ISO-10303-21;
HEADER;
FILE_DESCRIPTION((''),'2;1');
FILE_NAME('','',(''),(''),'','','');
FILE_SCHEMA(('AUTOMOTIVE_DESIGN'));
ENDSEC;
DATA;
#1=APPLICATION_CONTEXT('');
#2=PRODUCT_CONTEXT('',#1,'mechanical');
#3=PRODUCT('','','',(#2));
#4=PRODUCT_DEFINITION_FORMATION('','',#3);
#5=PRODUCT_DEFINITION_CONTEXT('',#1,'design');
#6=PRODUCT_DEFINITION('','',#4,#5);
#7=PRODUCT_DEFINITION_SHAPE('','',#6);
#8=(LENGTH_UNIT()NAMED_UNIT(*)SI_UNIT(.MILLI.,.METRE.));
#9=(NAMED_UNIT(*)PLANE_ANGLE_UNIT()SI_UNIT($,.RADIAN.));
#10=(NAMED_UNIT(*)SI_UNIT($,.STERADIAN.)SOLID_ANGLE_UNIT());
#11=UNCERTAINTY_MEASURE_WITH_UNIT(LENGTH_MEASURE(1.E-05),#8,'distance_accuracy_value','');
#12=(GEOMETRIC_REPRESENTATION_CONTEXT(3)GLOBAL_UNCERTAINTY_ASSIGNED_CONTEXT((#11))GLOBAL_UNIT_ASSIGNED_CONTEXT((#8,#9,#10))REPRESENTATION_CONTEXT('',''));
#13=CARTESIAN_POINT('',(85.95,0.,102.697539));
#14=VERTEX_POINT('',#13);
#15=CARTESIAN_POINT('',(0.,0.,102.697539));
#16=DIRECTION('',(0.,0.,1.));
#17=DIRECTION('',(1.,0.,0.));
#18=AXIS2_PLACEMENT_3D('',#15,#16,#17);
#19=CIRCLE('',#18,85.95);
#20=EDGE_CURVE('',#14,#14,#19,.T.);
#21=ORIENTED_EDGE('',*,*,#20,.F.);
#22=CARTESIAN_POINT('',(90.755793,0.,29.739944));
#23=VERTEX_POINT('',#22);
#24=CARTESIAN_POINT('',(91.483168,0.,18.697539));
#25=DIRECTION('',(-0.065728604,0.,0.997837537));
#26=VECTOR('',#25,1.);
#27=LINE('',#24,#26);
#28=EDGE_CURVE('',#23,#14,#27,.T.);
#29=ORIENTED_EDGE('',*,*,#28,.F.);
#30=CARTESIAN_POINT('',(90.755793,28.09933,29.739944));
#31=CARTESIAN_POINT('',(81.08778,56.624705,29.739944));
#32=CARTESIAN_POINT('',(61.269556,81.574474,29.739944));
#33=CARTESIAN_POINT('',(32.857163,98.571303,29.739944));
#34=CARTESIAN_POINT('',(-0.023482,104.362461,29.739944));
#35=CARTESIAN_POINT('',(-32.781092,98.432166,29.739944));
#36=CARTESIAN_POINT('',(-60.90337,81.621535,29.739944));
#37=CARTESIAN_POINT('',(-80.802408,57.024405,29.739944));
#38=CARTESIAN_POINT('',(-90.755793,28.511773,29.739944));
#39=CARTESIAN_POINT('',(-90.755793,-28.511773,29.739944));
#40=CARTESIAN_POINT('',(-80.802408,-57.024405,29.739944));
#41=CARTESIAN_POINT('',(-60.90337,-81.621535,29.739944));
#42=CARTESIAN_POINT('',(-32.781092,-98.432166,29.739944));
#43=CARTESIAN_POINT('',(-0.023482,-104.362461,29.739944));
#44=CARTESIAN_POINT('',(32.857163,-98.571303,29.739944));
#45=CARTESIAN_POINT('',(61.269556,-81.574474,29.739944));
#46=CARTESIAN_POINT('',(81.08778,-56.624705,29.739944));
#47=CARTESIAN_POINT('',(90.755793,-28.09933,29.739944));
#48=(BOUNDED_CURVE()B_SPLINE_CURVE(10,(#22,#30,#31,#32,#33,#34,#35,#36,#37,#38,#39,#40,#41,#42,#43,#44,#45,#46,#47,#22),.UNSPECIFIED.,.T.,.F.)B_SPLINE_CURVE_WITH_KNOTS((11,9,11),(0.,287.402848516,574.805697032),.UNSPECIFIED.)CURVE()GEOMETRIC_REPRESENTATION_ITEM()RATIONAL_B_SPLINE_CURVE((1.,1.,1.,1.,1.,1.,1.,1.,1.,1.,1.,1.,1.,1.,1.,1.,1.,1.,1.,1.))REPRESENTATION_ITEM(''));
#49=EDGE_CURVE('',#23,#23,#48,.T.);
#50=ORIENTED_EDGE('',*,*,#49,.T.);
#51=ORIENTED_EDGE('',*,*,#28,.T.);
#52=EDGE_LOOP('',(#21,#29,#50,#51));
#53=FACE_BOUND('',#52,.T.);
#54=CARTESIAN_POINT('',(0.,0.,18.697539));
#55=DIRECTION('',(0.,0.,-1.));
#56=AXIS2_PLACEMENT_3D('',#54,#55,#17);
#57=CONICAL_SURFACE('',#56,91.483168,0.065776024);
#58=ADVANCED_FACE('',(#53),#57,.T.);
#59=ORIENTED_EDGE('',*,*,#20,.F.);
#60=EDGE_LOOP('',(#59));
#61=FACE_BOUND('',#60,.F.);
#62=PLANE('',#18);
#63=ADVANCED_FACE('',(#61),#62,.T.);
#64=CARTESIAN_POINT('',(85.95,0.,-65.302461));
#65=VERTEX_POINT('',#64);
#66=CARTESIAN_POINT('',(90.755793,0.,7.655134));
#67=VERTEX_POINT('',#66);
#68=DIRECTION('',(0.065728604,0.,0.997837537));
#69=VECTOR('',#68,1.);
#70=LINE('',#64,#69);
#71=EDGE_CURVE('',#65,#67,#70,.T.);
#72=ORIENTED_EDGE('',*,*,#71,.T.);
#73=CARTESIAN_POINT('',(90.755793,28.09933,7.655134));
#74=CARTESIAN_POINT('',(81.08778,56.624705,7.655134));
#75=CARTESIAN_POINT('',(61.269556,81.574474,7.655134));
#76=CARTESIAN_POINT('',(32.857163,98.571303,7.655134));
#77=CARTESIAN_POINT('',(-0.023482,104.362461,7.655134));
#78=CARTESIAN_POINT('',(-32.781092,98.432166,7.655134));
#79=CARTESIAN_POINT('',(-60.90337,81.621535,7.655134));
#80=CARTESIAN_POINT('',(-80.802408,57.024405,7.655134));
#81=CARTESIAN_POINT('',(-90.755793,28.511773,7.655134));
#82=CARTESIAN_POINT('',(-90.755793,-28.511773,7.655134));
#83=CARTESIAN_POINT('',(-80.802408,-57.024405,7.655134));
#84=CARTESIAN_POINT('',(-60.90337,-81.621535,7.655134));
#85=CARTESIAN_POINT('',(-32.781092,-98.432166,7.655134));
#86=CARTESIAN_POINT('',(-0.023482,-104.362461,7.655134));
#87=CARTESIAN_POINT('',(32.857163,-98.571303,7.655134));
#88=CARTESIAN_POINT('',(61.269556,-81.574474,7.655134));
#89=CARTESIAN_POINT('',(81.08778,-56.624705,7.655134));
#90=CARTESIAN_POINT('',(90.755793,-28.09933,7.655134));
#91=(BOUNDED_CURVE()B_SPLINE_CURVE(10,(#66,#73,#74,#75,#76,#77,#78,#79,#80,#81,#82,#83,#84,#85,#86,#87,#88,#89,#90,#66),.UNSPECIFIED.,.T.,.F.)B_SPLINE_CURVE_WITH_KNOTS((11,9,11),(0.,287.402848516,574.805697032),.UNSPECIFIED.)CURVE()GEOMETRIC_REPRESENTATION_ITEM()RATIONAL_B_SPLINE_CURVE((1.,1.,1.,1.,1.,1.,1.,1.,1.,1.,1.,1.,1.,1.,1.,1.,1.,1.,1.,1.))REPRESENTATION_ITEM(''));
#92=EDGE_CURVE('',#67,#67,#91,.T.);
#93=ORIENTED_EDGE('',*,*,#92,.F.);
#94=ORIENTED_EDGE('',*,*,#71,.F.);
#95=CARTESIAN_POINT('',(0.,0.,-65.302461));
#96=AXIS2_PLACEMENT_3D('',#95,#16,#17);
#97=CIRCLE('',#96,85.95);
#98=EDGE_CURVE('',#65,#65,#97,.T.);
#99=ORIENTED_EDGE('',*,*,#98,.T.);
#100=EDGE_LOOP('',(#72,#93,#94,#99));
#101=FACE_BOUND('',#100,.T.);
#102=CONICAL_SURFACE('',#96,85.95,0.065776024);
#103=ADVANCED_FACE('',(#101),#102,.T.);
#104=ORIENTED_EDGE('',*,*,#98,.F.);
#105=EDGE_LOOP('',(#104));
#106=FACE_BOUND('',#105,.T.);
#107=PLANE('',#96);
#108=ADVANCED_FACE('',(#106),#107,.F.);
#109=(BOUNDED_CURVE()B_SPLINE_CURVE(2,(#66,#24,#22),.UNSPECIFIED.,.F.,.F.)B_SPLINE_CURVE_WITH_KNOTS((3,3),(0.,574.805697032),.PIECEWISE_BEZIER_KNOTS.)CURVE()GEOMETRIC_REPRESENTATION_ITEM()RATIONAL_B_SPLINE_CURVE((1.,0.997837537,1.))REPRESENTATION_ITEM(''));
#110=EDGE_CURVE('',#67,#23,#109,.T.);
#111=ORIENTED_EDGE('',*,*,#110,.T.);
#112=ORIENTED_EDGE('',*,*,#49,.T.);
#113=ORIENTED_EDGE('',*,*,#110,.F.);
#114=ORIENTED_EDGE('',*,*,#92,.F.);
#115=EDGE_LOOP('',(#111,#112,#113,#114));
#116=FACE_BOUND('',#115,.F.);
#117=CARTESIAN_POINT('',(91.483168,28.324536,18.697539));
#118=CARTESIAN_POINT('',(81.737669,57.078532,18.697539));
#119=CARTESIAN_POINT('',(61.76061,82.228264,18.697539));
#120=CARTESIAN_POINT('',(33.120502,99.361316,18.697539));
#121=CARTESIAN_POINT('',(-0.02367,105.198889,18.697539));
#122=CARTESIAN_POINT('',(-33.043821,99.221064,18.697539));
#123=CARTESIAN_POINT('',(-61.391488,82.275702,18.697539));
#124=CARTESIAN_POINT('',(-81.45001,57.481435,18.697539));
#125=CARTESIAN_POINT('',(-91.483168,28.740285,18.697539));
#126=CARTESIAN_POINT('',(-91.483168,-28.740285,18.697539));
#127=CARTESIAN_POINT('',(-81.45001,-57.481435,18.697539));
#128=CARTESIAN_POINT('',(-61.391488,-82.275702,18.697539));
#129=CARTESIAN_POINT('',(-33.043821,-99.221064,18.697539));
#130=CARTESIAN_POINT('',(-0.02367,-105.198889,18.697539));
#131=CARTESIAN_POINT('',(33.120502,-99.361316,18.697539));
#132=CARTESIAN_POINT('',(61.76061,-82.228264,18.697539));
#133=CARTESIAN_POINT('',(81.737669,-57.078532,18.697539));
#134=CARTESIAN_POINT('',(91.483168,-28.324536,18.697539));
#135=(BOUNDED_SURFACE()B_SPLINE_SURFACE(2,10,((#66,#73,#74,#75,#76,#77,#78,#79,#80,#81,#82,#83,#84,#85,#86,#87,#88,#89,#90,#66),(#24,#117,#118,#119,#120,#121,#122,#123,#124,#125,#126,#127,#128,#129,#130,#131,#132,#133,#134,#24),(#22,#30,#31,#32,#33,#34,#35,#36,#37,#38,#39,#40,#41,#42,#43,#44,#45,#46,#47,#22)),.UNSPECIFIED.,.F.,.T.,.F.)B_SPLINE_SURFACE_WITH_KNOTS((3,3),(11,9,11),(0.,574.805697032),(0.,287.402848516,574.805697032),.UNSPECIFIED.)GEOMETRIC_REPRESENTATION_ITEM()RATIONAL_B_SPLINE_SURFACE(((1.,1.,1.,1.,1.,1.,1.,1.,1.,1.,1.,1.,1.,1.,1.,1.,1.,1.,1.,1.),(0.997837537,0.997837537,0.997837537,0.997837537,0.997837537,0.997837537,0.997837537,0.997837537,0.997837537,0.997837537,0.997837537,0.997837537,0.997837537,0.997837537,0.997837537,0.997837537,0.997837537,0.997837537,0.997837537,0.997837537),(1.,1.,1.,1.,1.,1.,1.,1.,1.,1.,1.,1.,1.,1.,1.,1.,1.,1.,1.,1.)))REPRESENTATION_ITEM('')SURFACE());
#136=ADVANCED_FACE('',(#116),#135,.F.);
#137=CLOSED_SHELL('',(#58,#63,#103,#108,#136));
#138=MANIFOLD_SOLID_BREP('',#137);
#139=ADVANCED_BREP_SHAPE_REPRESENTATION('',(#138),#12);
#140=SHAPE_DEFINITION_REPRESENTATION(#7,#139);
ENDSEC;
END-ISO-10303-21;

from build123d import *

# Parameters (mm, degrees)
F0_W = 85.95
F0_H = 168
F2_R = 168


with BuildPart() as f1:
    # F0 (on Front) → F1 (revolve)
    with BuildSketch(Plane.XZ):
        Polygon((85.95, 102.697539), (85.95, -65.302461), (91.483168, 18.697539), align=None)
        with Locations((42.975, 18.697539)):
            Rectangle(F0_W, F0_H)
    revolve(axis=Axis((0, 0, 18.697539), (0, 0, 1)))

    # F2
    f2_edges = [f1.edges().sort_by_distance(p)[0] for p in [
        (-91.483168, 0, 18.697539),
    ]]
    fillet(f2_edges, radius=F2_R)


solid = f1.part
